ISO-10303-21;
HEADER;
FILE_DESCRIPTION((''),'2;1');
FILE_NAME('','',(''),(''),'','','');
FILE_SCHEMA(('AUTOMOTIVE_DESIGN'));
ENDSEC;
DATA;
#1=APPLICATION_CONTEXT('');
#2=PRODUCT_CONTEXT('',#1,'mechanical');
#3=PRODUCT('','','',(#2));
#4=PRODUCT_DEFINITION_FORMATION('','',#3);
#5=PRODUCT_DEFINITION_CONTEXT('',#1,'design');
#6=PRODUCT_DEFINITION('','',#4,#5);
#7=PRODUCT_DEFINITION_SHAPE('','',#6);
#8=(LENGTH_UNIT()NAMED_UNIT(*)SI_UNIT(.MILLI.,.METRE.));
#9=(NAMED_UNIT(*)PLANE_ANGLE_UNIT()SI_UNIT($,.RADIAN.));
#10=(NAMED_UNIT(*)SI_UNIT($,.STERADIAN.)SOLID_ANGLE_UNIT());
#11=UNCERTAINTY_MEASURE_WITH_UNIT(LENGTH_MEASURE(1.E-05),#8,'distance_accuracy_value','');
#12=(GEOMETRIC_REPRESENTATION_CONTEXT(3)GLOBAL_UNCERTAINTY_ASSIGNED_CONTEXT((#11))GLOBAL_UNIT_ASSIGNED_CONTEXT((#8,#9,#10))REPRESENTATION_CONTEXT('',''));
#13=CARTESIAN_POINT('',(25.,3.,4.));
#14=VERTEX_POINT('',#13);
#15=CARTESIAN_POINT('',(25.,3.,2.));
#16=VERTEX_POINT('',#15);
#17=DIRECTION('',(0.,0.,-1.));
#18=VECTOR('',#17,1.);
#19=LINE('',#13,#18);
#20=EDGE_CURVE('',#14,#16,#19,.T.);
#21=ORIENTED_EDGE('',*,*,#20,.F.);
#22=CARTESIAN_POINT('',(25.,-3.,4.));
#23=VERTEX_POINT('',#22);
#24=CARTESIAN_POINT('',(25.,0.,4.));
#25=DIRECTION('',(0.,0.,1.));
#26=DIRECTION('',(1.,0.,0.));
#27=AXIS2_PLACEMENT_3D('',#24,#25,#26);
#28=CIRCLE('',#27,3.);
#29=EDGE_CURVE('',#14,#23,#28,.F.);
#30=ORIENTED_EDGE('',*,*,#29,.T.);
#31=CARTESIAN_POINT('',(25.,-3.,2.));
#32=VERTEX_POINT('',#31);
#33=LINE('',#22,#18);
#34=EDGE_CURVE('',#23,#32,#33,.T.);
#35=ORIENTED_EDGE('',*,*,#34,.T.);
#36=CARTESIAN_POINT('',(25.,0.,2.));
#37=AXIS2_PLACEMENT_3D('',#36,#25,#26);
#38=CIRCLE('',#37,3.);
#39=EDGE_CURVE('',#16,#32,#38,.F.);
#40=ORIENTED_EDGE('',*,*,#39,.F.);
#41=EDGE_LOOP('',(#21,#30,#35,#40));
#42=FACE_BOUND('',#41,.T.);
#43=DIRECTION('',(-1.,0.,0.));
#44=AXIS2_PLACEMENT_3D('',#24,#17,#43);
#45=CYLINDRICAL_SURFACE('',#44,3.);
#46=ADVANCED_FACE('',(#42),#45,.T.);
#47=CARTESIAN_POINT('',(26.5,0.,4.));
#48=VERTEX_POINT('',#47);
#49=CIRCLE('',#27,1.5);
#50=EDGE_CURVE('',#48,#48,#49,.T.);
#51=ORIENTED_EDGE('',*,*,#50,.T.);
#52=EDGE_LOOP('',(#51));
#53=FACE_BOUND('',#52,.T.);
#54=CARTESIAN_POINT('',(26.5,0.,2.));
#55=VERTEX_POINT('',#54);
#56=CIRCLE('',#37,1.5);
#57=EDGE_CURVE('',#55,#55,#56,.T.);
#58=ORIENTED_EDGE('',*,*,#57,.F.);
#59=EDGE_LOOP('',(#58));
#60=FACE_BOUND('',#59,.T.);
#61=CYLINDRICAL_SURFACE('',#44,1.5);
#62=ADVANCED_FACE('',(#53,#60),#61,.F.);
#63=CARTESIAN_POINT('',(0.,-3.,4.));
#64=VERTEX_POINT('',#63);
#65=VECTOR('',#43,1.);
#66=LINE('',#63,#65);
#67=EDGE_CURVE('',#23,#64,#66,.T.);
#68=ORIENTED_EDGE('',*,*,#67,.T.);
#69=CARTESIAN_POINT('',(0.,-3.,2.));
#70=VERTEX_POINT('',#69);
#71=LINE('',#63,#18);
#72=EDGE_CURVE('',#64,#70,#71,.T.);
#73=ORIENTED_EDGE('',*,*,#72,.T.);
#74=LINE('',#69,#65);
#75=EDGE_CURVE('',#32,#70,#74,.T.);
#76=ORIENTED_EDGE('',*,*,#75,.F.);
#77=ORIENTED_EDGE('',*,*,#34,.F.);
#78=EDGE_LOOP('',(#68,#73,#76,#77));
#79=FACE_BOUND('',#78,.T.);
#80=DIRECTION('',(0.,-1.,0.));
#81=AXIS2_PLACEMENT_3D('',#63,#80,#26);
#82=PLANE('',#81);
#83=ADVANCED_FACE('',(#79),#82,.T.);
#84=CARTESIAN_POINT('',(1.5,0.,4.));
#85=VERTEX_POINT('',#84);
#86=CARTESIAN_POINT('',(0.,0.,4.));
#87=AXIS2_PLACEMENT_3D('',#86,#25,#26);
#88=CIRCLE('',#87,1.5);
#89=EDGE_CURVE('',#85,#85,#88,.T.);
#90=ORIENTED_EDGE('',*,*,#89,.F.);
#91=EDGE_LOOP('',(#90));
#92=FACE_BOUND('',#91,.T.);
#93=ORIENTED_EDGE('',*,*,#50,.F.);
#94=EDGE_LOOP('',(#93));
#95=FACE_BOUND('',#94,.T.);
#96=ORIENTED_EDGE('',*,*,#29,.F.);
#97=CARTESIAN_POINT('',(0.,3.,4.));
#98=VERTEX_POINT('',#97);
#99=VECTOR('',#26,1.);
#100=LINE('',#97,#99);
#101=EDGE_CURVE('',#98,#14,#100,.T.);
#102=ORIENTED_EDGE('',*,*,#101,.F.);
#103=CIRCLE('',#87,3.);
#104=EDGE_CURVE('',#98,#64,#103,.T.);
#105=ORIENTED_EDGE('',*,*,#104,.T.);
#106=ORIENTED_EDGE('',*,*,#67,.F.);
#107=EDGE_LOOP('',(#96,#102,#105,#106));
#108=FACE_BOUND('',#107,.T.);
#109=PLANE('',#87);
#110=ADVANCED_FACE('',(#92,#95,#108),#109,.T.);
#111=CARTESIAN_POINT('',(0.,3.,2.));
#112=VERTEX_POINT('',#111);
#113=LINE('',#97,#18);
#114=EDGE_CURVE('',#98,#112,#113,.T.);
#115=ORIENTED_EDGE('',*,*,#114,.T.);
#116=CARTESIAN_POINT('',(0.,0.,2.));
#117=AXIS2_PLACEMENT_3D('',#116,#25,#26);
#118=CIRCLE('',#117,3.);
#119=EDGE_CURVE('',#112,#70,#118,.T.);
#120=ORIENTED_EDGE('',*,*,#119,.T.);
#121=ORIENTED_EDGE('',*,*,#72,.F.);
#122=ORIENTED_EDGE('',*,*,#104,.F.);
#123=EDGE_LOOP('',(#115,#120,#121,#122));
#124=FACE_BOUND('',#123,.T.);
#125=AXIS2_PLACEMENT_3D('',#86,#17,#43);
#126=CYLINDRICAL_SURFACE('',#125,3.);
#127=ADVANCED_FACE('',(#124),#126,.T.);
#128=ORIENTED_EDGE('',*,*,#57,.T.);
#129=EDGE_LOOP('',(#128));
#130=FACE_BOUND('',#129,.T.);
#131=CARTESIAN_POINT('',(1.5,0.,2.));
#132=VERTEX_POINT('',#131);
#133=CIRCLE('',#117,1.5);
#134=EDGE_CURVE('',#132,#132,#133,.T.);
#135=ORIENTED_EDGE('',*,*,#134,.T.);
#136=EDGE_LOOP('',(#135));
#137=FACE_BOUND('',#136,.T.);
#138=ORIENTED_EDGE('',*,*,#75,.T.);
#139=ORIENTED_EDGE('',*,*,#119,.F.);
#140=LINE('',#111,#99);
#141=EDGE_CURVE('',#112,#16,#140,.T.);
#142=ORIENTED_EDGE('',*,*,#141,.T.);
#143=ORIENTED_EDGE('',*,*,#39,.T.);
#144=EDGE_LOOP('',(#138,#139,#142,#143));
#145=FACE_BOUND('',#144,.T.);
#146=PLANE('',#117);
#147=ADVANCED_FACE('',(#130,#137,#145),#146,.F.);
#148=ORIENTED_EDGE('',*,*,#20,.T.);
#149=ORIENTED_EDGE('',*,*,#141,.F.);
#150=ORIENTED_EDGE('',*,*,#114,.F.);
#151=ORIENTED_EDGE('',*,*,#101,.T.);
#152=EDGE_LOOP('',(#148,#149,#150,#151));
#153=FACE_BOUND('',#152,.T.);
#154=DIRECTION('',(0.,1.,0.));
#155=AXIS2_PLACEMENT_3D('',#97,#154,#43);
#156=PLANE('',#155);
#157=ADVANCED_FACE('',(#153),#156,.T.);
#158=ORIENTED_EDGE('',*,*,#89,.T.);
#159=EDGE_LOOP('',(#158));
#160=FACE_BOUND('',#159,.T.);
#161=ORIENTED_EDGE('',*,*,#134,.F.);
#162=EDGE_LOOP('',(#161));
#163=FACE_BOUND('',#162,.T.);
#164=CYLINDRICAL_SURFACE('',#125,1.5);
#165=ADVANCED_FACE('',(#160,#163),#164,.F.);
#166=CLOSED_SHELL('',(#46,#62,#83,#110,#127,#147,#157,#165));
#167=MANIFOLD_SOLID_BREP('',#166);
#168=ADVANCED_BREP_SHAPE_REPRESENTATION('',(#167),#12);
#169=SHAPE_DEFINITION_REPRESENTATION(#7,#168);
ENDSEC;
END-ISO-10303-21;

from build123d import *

# Parameters (mm, degrees)
ESQUISSE1_R             = 1.5
BOSS_EXTRU_1_DEPTH      = 4
ESQUISSE1_4_R           = 1.5
ENL_V_MAT_EXTRU_1_DEPTH = 2


with BuildPart() as part:
    # Esquisse1 → Boss.-Extru.1 (new body)
    with BuildSketch(Plane.XY):
        with BuildLine():
            Line((25, 3), (0, 3))
            ThreePointArc((0, 3), (-3, 0), (0, -3))
            Line((0, -3), (25, -3))
            ThreePointArc((25, -3), (28, 0), (25, 3))
        make_face()
        Circle(ESQUISSE1_R, mode=Mode.SUBTRACT)
        with Locations((25, 0)):
            Circle(ESQUISSE1_R, mode=Mode.SUBTRACT)
    extrude(amount=BOSS_EXTRU_1_DEPTH)

    # Esquisse1<4> → Enlèv. mat.-Extru.1 (cut)
    with BuildSketch(Plane.XY):
        with BuildLine():
            Line((25, 3), (0, 3))
            ThreePointArc((0, 3), (-3, 0), (0, -3))
            Line((0, -3), (25, -3))
            ThreePointArc((25, -3), (28, 0), (25, 3))
        make_face()
        Circle(ESQUISSE1_4_R, mode=Mode.SUBTRACT)
        with Locations((25, 0)):
            Circle(ESQUISSE1_4_R, mode=Mode.SUBTRACT)
    extrude(amount=ENL_V_MAT_EXTRU_1_DEPTH, mode=Mode.SUBTRACT)


solid = part.part
